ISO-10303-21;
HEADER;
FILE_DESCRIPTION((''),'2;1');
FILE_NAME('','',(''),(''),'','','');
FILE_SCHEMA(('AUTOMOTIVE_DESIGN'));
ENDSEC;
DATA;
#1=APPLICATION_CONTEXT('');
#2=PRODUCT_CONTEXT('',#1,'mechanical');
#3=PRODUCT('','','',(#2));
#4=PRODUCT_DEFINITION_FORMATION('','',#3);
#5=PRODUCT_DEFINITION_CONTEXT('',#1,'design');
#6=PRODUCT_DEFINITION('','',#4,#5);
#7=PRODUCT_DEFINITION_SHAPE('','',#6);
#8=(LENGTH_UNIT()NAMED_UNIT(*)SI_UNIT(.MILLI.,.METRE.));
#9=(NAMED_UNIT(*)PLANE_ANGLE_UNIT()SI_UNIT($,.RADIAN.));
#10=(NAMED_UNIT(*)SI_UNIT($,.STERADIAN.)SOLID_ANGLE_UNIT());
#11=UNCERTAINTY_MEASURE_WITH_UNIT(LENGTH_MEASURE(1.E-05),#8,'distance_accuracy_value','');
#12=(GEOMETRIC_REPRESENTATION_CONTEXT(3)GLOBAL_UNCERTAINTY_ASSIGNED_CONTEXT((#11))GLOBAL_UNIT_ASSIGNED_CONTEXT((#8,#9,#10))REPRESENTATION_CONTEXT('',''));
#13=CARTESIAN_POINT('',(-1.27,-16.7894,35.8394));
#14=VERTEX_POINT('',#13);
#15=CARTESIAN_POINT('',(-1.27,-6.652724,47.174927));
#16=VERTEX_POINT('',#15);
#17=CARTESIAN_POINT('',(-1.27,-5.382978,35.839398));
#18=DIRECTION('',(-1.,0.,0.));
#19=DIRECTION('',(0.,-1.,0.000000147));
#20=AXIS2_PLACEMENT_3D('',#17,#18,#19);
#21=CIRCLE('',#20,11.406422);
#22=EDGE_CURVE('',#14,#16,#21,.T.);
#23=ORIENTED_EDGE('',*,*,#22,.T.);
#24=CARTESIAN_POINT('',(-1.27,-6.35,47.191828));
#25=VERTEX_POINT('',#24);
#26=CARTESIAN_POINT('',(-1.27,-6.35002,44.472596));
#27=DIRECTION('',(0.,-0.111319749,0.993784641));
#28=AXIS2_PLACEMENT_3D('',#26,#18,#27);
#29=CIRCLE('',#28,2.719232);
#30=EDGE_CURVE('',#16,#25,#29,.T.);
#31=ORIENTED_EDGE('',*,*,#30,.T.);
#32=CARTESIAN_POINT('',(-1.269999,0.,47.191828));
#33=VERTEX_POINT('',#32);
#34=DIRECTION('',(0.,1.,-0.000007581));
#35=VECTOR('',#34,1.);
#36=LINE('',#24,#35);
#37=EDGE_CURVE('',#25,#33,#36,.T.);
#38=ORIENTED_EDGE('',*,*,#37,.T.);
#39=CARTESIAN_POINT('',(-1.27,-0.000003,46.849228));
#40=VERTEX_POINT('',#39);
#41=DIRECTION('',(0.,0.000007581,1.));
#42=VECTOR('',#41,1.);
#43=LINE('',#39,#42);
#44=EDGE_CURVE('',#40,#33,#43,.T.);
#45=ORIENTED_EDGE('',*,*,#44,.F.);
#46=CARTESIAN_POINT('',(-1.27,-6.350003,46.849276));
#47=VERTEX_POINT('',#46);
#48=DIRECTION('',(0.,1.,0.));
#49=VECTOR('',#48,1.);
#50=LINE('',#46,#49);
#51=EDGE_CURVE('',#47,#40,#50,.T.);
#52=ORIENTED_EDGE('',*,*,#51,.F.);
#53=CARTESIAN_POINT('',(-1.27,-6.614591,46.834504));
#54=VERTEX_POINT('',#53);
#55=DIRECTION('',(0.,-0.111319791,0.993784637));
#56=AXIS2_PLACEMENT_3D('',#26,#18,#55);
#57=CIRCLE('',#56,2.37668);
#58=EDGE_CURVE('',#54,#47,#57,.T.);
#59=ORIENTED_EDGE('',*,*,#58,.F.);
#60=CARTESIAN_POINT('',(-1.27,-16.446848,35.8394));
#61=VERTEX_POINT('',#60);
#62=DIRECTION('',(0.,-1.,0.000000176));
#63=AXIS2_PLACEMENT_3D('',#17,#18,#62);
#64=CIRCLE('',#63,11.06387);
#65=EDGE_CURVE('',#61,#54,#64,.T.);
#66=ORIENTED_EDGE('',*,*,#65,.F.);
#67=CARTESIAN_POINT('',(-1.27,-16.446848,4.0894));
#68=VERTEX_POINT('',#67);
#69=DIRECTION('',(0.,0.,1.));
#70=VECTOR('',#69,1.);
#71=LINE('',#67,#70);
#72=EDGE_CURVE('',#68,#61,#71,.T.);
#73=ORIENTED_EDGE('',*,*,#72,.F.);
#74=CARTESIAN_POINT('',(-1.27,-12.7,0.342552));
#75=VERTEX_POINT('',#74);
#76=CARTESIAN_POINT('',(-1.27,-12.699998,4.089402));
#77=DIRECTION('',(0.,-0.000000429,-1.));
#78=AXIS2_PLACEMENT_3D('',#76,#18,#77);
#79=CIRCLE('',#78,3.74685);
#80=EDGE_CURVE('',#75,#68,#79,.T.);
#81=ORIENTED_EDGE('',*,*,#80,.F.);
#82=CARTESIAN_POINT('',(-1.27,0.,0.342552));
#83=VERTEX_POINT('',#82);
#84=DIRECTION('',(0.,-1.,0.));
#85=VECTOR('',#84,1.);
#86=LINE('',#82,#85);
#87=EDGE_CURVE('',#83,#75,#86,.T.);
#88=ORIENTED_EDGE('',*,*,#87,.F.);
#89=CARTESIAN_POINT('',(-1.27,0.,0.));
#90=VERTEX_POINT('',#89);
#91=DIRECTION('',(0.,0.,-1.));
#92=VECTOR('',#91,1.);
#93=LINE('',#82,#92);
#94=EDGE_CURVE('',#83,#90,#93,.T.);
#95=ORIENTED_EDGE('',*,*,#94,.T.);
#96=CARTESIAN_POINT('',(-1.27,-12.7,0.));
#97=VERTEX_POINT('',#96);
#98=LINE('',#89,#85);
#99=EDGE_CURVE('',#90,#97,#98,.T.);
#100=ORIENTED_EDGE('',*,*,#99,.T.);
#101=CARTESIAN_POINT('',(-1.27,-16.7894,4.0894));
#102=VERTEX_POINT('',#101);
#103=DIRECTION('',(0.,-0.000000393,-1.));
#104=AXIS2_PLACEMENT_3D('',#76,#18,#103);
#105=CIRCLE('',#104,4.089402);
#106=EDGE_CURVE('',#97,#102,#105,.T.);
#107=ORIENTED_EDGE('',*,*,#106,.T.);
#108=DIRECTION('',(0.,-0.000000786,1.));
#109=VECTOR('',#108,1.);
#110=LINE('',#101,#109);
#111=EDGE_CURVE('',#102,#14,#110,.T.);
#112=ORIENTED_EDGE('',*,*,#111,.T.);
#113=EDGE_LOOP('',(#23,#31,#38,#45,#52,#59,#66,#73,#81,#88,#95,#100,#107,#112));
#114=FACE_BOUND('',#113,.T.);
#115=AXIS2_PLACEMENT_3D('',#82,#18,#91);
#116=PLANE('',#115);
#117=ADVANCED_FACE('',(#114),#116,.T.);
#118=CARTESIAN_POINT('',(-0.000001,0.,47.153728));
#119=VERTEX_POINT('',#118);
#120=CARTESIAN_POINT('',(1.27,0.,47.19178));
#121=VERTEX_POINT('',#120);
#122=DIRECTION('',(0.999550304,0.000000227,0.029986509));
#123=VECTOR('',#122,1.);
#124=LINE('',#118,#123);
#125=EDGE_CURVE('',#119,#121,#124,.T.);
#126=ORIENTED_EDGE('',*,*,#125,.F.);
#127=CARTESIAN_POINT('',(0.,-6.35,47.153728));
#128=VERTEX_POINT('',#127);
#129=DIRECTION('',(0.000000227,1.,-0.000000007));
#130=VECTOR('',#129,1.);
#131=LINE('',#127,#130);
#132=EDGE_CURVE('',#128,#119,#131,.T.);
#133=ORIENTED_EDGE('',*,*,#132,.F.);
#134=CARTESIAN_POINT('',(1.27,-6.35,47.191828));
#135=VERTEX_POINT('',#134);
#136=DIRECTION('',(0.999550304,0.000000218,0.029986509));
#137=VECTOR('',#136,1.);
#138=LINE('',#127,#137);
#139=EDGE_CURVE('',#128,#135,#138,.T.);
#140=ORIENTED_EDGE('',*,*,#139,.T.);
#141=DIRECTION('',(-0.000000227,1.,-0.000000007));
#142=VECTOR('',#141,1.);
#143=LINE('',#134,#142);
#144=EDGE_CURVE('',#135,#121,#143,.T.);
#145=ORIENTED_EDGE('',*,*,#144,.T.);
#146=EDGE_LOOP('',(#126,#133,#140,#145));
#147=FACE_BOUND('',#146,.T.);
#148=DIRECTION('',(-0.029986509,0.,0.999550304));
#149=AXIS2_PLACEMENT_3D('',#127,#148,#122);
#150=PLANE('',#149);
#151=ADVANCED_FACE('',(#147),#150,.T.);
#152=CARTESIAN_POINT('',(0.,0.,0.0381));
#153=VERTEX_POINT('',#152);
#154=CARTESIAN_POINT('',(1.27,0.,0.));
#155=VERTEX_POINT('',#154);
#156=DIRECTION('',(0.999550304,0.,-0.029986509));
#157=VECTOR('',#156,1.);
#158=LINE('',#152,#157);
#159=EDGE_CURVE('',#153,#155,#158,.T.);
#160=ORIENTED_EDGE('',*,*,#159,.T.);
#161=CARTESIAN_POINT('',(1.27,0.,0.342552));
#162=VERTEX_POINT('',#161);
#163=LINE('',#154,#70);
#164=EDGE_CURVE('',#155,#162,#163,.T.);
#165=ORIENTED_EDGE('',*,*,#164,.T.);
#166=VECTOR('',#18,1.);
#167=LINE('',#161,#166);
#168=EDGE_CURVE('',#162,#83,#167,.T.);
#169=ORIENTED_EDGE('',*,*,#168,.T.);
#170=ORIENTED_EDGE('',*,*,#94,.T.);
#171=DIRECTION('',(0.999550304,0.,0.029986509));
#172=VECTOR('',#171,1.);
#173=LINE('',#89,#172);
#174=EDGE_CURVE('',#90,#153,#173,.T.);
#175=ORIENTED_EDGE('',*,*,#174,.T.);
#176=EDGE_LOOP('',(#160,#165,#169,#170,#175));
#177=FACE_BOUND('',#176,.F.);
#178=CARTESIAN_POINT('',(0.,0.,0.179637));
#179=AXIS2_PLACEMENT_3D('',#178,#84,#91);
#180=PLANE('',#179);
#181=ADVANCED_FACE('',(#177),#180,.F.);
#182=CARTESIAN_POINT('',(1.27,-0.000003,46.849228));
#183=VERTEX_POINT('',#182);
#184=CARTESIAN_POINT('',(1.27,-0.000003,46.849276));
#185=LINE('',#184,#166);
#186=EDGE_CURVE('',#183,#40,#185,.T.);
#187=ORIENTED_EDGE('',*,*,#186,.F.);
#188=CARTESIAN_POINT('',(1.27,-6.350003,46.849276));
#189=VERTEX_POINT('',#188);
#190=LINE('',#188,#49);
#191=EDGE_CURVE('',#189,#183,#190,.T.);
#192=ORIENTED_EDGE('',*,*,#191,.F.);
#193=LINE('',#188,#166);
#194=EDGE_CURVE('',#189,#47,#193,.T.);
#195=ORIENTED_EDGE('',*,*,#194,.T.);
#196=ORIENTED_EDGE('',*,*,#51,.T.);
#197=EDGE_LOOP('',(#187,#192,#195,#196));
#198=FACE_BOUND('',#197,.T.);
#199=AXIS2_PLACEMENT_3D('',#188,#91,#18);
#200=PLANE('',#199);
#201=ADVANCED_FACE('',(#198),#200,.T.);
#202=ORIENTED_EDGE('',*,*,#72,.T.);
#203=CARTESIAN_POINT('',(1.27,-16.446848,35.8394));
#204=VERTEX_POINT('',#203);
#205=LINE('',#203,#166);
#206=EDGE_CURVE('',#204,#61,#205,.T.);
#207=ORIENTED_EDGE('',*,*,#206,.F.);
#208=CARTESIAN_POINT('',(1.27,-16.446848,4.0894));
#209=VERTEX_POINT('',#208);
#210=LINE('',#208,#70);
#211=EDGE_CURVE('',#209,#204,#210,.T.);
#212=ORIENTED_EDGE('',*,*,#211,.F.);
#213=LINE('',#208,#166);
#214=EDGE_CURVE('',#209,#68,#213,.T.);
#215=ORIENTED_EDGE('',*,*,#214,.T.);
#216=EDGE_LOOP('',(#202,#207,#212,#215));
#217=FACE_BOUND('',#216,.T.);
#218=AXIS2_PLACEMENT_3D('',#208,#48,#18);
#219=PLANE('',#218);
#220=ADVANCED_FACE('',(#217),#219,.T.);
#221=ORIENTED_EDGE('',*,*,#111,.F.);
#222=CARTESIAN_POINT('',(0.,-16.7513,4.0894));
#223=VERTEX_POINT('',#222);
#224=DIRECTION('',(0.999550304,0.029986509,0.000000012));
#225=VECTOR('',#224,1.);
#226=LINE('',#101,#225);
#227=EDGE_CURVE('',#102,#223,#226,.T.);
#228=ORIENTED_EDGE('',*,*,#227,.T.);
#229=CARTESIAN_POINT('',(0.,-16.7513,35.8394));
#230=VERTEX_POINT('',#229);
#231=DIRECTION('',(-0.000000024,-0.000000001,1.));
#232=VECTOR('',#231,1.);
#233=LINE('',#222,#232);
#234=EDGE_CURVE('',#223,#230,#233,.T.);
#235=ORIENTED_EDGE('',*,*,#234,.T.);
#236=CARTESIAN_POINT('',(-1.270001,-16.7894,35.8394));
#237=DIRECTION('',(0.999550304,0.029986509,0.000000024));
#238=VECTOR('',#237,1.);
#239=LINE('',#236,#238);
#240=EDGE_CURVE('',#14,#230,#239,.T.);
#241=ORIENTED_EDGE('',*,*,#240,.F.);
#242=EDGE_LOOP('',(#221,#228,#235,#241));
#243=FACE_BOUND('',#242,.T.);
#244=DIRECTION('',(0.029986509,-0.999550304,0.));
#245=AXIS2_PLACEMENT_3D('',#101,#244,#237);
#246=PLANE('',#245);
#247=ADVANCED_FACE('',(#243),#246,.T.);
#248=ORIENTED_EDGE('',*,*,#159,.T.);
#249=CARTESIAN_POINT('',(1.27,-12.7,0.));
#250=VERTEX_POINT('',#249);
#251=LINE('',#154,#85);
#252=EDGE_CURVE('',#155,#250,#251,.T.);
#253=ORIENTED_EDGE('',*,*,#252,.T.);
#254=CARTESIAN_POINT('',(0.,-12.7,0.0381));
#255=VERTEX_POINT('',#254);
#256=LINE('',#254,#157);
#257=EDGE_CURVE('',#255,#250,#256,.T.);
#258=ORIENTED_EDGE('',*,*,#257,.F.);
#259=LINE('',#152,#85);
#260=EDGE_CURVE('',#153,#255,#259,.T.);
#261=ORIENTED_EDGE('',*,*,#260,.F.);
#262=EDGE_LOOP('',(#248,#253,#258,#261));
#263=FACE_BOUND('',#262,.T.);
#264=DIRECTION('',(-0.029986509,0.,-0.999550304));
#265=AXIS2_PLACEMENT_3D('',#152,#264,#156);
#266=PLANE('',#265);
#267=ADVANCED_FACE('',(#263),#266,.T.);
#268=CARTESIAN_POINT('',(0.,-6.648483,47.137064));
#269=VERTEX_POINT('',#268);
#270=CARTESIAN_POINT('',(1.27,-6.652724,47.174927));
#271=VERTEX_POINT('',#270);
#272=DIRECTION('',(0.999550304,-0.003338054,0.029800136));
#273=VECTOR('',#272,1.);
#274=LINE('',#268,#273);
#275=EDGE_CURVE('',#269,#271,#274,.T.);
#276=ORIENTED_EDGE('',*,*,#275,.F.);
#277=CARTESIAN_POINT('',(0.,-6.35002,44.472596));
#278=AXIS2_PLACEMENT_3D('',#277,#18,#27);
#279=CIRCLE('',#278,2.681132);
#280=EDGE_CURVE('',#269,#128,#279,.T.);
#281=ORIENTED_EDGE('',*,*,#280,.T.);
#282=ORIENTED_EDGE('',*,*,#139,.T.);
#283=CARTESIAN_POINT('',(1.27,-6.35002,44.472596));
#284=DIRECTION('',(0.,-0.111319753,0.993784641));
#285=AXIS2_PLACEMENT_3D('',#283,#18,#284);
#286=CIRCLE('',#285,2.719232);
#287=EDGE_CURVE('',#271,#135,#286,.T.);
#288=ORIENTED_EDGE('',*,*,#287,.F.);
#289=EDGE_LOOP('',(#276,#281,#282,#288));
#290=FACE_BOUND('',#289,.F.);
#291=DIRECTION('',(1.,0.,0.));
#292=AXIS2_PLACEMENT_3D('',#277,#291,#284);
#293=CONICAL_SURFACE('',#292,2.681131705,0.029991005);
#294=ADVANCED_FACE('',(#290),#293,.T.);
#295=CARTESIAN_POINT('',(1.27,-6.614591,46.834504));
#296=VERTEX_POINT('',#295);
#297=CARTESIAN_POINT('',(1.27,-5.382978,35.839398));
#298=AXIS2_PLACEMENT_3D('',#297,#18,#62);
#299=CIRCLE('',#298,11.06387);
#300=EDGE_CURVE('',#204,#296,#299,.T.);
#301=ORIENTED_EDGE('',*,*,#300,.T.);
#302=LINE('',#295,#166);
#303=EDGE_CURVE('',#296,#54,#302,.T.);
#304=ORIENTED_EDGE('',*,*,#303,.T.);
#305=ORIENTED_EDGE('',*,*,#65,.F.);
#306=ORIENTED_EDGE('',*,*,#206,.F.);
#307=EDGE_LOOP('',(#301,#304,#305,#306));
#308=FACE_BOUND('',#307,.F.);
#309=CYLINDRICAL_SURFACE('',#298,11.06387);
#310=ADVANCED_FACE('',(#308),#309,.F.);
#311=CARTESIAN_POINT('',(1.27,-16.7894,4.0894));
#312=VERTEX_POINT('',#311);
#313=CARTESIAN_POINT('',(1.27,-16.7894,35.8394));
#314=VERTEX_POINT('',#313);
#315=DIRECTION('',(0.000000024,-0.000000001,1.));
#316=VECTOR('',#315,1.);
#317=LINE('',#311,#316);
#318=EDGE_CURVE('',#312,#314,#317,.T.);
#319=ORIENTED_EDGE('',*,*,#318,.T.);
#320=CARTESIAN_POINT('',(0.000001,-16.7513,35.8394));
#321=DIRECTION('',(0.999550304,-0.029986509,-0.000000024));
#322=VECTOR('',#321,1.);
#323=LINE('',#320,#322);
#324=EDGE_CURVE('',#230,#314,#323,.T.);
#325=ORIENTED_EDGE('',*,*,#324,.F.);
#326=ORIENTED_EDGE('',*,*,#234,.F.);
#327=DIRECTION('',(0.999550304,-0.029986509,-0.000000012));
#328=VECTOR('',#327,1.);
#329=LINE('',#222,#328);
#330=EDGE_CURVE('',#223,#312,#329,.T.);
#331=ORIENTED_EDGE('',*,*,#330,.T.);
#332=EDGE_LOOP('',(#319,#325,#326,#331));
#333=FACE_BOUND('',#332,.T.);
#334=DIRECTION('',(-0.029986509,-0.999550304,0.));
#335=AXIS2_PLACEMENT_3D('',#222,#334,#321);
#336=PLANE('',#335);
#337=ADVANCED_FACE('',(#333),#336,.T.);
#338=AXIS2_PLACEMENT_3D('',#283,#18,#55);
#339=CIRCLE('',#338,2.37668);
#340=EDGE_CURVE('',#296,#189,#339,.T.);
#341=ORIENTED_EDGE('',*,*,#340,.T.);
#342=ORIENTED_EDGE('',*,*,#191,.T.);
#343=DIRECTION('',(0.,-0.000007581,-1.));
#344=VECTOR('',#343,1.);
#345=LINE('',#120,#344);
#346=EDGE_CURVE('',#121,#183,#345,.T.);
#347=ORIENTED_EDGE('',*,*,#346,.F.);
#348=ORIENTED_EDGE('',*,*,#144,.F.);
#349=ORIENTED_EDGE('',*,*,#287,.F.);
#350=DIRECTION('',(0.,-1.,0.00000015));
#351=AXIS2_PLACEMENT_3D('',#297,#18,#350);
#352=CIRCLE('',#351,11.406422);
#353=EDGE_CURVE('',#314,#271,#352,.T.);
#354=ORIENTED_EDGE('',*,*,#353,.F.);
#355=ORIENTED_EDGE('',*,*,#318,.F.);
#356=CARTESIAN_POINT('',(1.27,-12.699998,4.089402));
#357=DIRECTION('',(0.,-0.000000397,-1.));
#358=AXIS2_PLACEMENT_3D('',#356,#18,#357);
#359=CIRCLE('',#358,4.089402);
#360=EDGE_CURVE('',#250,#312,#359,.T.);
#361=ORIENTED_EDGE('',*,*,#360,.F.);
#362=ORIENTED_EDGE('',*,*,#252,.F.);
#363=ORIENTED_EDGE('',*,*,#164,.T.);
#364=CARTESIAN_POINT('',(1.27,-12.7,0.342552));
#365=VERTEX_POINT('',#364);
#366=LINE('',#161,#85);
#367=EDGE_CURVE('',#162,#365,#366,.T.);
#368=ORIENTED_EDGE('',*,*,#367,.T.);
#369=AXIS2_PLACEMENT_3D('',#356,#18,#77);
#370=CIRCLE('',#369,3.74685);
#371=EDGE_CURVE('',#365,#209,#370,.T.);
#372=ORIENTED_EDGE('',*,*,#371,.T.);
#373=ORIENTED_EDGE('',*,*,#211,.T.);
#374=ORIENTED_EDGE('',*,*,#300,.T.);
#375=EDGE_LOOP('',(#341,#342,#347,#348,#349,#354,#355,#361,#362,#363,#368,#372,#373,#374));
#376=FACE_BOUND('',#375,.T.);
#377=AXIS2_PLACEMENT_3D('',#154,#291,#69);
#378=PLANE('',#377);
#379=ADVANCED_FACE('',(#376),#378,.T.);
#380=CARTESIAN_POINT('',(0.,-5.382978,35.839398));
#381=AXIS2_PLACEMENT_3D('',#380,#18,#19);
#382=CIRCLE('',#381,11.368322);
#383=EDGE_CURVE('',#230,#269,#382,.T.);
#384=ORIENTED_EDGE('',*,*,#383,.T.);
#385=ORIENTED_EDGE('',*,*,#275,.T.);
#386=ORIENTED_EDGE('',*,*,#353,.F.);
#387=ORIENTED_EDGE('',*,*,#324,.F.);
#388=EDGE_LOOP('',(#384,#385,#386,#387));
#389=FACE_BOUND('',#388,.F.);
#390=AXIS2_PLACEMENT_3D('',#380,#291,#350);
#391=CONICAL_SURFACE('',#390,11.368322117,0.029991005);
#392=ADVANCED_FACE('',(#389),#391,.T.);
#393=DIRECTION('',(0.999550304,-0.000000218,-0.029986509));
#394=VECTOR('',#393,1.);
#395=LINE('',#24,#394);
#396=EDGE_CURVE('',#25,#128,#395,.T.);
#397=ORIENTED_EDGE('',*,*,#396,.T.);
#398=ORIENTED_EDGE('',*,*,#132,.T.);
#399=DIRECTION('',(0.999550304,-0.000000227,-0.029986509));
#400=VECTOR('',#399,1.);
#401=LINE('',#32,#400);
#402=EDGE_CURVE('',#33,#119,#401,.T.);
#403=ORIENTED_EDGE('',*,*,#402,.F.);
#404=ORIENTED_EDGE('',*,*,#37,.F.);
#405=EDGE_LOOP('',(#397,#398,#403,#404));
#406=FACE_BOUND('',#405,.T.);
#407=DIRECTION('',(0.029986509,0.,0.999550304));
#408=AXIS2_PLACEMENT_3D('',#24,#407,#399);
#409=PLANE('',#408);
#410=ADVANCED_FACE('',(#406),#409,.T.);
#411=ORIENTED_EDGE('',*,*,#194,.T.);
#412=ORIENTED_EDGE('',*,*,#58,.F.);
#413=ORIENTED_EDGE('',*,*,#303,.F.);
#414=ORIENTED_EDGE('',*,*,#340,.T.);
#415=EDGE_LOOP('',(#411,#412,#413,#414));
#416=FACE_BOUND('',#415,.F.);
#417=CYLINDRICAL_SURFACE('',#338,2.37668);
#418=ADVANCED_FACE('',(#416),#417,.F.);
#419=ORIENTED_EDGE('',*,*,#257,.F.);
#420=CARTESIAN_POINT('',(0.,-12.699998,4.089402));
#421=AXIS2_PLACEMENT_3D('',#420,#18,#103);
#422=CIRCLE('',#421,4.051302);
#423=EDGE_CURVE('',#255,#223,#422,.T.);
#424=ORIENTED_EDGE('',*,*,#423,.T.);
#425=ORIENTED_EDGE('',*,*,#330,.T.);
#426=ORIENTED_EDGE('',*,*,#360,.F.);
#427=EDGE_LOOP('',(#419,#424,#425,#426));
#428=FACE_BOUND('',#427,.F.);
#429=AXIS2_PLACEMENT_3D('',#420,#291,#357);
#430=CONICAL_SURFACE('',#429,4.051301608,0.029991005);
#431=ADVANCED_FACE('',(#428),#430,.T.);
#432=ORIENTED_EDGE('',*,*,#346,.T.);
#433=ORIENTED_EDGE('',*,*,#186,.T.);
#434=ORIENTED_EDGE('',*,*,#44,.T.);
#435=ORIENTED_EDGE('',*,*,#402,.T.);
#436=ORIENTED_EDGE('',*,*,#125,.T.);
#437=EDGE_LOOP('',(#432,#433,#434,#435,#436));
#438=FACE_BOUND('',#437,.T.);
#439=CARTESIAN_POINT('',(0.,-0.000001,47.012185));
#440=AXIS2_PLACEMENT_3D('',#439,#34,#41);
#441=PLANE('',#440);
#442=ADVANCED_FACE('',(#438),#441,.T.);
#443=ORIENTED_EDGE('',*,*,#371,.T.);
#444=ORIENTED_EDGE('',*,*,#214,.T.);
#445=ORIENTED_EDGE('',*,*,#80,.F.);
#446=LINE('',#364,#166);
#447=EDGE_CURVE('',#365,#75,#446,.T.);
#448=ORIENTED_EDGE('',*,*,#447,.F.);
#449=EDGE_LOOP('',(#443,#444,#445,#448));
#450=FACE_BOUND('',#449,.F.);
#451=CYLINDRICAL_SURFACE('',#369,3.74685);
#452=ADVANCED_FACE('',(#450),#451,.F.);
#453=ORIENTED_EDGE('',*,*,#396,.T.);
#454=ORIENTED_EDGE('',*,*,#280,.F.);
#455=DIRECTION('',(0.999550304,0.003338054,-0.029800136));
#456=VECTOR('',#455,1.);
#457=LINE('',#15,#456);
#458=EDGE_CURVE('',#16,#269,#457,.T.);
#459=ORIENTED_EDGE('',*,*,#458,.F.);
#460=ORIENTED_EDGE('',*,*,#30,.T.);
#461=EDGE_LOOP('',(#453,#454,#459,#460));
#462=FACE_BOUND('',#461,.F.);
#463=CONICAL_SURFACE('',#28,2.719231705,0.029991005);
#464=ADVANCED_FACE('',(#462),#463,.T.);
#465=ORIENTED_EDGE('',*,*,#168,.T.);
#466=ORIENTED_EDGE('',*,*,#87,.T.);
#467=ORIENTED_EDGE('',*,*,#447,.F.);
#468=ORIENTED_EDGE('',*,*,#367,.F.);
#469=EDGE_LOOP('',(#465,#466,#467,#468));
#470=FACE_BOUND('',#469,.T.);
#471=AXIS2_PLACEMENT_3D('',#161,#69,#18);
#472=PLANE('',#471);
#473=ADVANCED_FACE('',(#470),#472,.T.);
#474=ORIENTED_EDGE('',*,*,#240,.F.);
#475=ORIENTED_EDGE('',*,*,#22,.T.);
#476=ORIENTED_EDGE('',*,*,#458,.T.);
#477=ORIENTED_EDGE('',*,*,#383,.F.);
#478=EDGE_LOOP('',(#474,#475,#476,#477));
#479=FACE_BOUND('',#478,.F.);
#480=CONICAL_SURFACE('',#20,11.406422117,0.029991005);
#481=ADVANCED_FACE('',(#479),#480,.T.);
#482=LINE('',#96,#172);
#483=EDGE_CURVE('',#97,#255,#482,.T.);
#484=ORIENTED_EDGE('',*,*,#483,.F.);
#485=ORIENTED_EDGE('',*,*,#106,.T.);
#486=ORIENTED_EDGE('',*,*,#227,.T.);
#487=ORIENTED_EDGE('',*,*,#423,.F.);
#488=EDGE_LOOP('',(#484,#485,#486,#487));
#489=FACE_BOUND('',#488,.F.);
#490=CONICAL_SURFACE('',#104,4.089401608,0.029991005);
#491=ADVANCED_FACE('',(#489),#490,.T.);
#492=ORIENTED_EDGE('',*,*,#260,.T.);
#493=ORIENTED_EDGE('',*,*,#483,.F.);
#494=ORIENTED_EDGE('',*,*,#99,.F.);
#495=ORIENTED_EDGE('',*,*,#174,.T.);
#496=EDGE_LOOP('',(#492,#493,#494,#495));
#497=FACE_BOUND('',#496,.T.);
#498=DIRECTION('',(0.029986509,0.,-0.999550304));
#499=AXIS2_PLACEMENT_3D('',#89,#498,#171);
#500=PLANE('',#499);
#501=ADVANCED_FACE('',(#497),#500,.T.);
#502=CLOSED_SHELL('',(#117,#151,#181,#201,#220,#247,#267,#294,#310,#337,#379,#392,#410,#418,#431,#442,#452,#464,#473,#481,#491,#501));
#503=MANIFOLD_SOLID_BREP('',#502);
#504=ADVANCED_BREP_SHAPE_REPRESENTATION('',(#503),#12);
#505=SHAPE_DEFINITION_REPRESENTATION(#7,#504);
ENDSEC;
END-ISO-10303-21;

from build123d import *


with BuildPart() as f2:
    # F2: sweep along a path in F0
    with BuildLine(Plane.YZ) as f2_path:
        Line((0, 0), (-12.7, 0))
        ThreePointArc((-12.7, 0), (-15.591642, 1.197758), (-16.7894, 4.0894))
        Line((-16.7894, 4.0894), (-16.7894, 35.8394))
        ThreePointArc((-16.7894, 35.8394), (-13.885616, 43.442793), (-6.652724, 47.174927))
        ThreePointArc((-6.652724, 47.174927), (-6.501598, 47.1876), (-6.35, 47.191828))
        Line((-6.35, 47.191828), (0, 47.191828))
    # F1 (on Front) → F2 (sweep)
    with BuildSketch(Plane.XZ):
        Polygon((1.27, 0.342552), (0, 0.342552), (0, 0.0381), (1.27, 0), align=None)
        Polygon((0, 0.342552), (-1.27, 0.342552), (-1.27, 0), (0, 0.0381), align=None)
    sweep(path=f2_path.line)


solid = f2.part
